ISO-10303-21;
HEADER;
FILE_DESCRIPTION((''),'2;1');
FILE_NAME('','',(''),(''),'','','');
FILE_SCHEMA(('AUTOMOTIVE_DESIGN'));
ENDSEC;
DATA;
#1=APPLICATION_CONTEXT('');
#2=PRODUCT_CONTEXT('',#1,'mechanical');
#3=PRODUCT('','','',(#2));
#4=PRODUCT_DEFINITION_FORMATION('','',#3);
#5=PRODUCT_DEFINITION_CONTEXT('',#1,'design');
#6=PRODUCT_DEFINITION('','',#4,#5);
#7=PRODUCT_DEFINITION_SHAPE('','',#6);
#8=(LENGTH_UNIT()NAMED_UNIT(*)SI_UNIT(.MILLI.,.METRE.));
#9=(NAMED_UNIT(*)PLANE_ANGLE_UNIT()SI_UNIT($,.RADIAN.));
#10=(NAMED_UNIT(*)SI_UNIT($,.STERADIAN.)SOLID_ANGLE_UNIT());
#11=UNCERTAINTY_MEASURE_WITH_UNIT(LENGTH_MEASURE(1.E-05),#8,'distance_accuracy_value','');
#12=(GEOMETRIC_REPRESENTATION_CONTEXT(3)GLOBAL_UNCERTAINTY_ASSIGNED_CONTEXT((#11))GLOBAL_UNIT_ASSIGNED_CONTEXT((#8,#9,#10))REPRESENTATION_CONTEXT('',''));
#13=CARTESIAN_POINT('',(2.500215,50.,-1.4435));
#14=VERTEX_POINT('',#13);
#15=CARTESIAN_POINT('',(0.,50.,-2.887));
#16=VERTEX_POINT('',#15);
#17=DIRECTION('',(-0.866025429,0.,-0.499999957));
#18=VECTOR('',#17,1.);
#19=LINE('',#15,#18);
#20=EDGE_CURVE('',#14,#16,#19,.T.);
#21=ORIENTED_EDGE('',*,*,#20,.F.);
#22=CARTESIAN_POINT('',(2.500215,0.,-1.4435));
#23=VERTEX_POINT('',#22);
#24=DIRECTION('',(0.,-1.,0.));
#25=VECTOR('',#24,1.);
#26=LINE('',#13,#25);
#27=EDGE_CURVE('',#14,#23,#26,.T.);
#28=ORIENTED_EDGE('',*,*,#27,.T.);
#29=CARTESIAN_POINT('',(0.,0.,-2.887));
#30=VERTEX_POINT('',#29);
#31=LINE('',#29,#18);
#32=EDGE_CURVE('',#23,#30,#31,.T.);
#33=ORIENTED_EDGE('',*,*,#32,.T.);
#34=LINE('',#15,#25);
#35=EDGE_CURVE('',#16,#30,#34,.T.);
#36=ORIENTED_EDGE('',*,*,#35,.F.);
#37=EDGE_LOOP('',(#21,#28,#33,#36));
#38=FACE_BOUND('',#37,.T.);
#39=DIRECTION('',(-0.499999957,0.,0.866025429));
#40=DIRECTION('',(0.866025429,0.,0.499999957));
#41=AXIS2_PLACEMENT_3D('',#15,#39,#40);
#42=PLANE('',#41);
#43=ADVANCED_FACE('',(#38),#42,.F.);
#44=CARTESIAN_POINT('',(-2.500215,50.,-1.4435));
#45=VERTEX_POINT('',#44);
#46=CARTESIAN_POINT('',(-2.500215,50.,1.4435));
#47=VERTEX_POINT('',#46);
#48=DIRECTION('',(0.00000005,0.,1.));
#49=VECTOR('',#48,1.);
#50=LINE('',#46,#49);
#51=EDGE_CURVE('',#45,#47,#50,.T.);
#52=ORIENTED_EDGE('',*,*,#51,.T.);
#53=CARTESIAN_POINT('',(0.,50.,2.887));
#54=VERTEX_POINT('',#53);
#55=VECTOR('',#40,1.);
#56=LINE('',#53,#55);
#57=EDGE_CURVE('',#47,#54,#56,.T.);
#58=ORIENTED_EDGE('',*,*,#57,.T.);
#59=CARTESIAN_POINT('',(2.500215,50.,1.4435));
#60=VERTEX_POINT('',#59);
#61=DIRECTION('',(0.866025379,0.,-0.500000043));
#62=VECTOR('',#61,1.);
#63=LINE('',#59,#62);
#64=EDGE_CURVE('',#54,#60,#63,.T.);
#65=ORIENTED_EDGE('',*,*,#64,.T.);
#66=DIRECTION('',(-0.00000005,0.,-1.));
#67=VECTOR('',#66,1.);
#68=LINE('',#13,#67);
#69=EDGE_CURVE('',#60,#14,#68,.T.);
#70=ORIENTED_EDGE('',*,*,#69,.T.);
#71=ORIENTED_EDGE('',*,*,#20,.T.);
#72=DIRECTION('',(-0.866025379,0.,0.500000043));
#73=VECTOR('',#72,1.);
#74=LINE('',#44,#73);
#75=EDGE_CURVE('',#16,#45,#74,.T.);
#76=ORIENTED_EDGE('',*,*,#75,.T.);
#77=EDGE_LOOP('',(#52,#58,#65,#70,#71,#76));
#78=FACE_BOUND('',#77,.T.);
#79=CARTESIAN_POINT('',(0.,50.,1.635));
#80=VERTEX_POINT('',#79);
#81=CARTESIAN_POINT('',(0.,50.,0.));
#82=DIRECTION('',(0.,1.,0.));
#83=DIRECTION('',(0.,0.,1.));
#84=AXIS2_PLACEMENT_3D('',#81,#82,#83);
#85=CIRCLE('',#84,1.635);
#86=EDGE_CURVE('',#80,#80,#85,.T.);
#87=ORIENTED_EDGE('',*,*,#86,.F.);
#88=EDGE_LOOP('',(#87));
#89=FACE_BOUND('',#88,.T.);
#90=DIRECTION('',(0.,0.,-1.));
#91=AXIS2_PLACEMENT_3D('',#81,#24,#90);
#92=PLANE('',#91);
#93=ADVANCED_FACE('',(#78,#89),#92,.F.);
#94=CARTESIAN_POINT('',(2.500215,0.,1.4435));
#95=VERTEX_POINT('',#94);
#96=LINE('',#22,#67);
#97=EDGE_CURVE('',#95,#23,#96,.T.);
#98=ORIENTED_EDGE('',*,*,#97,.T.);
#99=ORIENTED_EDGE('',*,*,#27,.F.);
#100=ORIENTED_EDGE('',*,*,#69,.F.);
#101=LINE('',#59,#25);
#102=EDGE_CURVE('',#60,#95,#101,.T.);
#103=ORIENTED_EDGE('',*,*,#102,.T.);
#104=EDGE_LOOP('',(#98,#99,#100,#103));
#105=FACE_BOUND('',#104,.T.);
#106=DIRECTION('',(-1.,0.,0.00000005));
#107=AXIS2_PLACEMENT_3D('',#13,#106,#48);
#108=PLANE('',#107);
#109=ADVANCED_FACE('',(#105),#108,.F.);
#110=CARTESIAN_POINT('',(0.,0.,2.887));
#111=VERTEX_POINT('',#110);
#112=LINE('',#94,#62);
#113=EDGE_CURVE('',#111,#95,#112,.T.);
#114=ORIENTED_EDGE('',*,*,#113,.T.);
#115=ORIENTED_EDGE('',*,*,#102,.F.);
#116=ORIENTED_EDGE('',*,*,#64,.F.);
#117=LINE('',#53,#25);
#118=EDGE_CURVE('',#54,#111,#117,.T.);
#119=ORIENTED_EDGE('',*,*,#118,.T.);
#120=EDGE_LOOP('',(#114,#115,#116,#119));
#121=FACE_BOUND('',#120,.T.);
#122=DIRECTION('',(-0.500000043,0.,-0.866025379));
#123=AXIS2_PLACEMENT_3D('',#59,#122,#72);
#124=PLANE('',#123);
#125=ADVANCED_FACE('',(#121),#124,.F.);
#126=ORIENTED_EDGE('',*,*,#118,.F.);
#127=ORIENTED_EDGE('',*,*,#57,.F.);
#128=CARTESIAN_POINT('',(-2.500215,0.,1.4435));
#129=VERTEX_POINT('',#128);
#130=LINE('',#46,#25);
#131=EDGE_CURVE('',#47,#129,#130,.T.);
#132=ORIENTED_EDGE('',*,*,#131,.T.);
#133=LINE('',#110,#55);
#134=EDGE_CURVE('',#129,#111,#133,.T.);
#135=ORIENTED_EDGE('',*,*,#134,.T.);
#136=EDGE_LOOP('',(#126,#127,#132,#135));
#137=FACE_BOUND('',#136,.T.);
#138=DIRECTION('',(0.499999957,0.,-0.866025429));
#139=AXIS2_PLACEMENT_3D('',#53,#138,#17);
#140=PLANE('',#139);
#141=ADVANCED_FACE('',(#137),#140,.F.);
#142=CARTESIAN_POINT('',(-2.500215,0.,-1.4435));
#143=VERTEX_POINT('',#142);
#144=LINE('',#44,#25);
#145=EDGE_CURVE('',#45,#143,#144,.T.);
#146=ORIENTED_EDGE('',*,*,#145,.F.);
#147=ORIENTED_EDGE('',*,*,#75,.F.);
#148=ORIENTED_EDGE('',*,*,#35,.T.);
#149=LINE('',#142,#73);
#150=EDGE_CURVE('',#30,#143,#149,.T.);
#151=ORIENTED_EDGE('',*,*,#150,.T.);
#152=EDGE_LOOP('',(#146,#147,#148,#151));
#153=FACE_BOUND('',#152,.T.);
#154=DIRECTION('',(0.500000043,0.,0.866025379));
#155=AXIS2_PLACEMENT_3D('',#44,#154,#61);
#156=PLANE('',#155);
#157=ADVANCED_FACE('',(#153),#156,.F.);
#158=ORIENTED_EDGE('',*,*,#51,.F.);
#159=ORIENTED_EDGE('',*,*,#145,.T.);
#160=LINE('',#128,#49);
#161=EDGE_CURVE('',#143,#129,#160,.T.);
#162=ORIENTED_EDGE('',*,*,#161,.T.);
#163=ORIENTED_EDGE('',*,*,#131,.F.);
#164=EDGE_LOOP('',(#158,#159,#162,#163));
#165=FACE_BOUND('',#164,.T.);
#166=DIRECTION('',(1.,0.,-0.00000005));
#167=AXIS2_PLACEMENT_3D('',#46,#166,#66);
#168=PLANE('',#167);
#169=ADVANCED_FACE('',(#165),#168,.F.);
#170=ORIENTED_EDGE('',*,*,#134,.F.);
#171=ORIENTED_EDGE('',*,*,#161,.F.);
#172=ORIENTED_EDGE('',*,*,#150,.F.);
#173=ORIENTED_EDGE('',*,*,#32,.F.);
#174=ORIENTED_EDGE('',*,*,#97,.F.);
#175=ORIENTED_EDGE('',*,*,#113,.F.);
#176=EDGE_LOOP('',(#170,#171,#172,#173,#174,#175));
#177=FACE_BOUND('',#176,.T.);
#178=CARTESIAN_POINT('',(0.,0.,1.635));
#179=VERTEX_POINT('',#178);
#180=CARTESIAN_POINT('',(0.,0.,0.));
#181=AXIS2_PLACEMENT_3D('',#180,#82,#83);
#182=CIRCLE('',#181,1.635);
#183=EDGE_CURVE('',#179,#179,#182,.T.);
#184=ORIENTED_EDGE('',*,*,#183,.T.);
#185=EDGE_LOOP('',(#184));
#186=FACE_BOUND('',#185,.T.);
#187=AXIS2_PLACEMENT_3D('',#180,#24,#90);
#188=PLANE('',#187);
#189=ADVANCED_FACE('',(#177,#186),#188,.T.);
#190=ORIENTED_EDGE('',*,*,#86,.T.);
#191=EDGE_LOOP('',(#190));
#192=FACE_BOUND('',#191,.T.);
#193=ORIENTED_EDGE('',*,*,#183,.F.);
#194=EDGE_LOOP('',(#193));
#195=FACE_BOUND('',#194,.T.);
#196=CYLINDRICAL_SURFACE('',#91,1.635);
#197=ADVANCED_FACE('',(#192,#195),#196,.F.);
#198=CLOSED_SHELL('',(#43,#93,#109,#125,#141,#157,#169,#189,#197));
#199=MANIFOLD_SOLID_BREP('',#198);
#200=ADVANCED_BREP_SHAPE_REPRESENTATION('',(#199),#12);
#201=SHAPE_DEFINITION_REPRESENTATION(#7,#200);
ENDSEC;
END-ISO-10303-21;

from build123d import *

# Parameters (mm, degrees)
SKETCH1_R           = 1.635
BOSS_EXTRUDE1_DEPTH = 50


with BuildPart() as part:
    # Sketch1 → Boss-Extrude1 (new body)
    with BuildSketch(Plane(origin=(0, 0, 0), x_dir=(1, 0, 0), z_dir=(0, 1, 0))):
        Polygon((2.500215268, 1.443500126), (2.500215413, -1.443499874), (1.45e-07, -2.887), (-2.500215268, -1.443500126), (-2.500215413, 1.443499874), (-1.45e-07, 2.887), align=None)
        with Locations(Location((0, 0, 0), (0, 0, 270))):
            Circle(SKETCH1_R, mode=Mode.SUBTRACT)
    extrude(amount=BOSS_EXTRUDE1_DEPTH)


solid = part.part
